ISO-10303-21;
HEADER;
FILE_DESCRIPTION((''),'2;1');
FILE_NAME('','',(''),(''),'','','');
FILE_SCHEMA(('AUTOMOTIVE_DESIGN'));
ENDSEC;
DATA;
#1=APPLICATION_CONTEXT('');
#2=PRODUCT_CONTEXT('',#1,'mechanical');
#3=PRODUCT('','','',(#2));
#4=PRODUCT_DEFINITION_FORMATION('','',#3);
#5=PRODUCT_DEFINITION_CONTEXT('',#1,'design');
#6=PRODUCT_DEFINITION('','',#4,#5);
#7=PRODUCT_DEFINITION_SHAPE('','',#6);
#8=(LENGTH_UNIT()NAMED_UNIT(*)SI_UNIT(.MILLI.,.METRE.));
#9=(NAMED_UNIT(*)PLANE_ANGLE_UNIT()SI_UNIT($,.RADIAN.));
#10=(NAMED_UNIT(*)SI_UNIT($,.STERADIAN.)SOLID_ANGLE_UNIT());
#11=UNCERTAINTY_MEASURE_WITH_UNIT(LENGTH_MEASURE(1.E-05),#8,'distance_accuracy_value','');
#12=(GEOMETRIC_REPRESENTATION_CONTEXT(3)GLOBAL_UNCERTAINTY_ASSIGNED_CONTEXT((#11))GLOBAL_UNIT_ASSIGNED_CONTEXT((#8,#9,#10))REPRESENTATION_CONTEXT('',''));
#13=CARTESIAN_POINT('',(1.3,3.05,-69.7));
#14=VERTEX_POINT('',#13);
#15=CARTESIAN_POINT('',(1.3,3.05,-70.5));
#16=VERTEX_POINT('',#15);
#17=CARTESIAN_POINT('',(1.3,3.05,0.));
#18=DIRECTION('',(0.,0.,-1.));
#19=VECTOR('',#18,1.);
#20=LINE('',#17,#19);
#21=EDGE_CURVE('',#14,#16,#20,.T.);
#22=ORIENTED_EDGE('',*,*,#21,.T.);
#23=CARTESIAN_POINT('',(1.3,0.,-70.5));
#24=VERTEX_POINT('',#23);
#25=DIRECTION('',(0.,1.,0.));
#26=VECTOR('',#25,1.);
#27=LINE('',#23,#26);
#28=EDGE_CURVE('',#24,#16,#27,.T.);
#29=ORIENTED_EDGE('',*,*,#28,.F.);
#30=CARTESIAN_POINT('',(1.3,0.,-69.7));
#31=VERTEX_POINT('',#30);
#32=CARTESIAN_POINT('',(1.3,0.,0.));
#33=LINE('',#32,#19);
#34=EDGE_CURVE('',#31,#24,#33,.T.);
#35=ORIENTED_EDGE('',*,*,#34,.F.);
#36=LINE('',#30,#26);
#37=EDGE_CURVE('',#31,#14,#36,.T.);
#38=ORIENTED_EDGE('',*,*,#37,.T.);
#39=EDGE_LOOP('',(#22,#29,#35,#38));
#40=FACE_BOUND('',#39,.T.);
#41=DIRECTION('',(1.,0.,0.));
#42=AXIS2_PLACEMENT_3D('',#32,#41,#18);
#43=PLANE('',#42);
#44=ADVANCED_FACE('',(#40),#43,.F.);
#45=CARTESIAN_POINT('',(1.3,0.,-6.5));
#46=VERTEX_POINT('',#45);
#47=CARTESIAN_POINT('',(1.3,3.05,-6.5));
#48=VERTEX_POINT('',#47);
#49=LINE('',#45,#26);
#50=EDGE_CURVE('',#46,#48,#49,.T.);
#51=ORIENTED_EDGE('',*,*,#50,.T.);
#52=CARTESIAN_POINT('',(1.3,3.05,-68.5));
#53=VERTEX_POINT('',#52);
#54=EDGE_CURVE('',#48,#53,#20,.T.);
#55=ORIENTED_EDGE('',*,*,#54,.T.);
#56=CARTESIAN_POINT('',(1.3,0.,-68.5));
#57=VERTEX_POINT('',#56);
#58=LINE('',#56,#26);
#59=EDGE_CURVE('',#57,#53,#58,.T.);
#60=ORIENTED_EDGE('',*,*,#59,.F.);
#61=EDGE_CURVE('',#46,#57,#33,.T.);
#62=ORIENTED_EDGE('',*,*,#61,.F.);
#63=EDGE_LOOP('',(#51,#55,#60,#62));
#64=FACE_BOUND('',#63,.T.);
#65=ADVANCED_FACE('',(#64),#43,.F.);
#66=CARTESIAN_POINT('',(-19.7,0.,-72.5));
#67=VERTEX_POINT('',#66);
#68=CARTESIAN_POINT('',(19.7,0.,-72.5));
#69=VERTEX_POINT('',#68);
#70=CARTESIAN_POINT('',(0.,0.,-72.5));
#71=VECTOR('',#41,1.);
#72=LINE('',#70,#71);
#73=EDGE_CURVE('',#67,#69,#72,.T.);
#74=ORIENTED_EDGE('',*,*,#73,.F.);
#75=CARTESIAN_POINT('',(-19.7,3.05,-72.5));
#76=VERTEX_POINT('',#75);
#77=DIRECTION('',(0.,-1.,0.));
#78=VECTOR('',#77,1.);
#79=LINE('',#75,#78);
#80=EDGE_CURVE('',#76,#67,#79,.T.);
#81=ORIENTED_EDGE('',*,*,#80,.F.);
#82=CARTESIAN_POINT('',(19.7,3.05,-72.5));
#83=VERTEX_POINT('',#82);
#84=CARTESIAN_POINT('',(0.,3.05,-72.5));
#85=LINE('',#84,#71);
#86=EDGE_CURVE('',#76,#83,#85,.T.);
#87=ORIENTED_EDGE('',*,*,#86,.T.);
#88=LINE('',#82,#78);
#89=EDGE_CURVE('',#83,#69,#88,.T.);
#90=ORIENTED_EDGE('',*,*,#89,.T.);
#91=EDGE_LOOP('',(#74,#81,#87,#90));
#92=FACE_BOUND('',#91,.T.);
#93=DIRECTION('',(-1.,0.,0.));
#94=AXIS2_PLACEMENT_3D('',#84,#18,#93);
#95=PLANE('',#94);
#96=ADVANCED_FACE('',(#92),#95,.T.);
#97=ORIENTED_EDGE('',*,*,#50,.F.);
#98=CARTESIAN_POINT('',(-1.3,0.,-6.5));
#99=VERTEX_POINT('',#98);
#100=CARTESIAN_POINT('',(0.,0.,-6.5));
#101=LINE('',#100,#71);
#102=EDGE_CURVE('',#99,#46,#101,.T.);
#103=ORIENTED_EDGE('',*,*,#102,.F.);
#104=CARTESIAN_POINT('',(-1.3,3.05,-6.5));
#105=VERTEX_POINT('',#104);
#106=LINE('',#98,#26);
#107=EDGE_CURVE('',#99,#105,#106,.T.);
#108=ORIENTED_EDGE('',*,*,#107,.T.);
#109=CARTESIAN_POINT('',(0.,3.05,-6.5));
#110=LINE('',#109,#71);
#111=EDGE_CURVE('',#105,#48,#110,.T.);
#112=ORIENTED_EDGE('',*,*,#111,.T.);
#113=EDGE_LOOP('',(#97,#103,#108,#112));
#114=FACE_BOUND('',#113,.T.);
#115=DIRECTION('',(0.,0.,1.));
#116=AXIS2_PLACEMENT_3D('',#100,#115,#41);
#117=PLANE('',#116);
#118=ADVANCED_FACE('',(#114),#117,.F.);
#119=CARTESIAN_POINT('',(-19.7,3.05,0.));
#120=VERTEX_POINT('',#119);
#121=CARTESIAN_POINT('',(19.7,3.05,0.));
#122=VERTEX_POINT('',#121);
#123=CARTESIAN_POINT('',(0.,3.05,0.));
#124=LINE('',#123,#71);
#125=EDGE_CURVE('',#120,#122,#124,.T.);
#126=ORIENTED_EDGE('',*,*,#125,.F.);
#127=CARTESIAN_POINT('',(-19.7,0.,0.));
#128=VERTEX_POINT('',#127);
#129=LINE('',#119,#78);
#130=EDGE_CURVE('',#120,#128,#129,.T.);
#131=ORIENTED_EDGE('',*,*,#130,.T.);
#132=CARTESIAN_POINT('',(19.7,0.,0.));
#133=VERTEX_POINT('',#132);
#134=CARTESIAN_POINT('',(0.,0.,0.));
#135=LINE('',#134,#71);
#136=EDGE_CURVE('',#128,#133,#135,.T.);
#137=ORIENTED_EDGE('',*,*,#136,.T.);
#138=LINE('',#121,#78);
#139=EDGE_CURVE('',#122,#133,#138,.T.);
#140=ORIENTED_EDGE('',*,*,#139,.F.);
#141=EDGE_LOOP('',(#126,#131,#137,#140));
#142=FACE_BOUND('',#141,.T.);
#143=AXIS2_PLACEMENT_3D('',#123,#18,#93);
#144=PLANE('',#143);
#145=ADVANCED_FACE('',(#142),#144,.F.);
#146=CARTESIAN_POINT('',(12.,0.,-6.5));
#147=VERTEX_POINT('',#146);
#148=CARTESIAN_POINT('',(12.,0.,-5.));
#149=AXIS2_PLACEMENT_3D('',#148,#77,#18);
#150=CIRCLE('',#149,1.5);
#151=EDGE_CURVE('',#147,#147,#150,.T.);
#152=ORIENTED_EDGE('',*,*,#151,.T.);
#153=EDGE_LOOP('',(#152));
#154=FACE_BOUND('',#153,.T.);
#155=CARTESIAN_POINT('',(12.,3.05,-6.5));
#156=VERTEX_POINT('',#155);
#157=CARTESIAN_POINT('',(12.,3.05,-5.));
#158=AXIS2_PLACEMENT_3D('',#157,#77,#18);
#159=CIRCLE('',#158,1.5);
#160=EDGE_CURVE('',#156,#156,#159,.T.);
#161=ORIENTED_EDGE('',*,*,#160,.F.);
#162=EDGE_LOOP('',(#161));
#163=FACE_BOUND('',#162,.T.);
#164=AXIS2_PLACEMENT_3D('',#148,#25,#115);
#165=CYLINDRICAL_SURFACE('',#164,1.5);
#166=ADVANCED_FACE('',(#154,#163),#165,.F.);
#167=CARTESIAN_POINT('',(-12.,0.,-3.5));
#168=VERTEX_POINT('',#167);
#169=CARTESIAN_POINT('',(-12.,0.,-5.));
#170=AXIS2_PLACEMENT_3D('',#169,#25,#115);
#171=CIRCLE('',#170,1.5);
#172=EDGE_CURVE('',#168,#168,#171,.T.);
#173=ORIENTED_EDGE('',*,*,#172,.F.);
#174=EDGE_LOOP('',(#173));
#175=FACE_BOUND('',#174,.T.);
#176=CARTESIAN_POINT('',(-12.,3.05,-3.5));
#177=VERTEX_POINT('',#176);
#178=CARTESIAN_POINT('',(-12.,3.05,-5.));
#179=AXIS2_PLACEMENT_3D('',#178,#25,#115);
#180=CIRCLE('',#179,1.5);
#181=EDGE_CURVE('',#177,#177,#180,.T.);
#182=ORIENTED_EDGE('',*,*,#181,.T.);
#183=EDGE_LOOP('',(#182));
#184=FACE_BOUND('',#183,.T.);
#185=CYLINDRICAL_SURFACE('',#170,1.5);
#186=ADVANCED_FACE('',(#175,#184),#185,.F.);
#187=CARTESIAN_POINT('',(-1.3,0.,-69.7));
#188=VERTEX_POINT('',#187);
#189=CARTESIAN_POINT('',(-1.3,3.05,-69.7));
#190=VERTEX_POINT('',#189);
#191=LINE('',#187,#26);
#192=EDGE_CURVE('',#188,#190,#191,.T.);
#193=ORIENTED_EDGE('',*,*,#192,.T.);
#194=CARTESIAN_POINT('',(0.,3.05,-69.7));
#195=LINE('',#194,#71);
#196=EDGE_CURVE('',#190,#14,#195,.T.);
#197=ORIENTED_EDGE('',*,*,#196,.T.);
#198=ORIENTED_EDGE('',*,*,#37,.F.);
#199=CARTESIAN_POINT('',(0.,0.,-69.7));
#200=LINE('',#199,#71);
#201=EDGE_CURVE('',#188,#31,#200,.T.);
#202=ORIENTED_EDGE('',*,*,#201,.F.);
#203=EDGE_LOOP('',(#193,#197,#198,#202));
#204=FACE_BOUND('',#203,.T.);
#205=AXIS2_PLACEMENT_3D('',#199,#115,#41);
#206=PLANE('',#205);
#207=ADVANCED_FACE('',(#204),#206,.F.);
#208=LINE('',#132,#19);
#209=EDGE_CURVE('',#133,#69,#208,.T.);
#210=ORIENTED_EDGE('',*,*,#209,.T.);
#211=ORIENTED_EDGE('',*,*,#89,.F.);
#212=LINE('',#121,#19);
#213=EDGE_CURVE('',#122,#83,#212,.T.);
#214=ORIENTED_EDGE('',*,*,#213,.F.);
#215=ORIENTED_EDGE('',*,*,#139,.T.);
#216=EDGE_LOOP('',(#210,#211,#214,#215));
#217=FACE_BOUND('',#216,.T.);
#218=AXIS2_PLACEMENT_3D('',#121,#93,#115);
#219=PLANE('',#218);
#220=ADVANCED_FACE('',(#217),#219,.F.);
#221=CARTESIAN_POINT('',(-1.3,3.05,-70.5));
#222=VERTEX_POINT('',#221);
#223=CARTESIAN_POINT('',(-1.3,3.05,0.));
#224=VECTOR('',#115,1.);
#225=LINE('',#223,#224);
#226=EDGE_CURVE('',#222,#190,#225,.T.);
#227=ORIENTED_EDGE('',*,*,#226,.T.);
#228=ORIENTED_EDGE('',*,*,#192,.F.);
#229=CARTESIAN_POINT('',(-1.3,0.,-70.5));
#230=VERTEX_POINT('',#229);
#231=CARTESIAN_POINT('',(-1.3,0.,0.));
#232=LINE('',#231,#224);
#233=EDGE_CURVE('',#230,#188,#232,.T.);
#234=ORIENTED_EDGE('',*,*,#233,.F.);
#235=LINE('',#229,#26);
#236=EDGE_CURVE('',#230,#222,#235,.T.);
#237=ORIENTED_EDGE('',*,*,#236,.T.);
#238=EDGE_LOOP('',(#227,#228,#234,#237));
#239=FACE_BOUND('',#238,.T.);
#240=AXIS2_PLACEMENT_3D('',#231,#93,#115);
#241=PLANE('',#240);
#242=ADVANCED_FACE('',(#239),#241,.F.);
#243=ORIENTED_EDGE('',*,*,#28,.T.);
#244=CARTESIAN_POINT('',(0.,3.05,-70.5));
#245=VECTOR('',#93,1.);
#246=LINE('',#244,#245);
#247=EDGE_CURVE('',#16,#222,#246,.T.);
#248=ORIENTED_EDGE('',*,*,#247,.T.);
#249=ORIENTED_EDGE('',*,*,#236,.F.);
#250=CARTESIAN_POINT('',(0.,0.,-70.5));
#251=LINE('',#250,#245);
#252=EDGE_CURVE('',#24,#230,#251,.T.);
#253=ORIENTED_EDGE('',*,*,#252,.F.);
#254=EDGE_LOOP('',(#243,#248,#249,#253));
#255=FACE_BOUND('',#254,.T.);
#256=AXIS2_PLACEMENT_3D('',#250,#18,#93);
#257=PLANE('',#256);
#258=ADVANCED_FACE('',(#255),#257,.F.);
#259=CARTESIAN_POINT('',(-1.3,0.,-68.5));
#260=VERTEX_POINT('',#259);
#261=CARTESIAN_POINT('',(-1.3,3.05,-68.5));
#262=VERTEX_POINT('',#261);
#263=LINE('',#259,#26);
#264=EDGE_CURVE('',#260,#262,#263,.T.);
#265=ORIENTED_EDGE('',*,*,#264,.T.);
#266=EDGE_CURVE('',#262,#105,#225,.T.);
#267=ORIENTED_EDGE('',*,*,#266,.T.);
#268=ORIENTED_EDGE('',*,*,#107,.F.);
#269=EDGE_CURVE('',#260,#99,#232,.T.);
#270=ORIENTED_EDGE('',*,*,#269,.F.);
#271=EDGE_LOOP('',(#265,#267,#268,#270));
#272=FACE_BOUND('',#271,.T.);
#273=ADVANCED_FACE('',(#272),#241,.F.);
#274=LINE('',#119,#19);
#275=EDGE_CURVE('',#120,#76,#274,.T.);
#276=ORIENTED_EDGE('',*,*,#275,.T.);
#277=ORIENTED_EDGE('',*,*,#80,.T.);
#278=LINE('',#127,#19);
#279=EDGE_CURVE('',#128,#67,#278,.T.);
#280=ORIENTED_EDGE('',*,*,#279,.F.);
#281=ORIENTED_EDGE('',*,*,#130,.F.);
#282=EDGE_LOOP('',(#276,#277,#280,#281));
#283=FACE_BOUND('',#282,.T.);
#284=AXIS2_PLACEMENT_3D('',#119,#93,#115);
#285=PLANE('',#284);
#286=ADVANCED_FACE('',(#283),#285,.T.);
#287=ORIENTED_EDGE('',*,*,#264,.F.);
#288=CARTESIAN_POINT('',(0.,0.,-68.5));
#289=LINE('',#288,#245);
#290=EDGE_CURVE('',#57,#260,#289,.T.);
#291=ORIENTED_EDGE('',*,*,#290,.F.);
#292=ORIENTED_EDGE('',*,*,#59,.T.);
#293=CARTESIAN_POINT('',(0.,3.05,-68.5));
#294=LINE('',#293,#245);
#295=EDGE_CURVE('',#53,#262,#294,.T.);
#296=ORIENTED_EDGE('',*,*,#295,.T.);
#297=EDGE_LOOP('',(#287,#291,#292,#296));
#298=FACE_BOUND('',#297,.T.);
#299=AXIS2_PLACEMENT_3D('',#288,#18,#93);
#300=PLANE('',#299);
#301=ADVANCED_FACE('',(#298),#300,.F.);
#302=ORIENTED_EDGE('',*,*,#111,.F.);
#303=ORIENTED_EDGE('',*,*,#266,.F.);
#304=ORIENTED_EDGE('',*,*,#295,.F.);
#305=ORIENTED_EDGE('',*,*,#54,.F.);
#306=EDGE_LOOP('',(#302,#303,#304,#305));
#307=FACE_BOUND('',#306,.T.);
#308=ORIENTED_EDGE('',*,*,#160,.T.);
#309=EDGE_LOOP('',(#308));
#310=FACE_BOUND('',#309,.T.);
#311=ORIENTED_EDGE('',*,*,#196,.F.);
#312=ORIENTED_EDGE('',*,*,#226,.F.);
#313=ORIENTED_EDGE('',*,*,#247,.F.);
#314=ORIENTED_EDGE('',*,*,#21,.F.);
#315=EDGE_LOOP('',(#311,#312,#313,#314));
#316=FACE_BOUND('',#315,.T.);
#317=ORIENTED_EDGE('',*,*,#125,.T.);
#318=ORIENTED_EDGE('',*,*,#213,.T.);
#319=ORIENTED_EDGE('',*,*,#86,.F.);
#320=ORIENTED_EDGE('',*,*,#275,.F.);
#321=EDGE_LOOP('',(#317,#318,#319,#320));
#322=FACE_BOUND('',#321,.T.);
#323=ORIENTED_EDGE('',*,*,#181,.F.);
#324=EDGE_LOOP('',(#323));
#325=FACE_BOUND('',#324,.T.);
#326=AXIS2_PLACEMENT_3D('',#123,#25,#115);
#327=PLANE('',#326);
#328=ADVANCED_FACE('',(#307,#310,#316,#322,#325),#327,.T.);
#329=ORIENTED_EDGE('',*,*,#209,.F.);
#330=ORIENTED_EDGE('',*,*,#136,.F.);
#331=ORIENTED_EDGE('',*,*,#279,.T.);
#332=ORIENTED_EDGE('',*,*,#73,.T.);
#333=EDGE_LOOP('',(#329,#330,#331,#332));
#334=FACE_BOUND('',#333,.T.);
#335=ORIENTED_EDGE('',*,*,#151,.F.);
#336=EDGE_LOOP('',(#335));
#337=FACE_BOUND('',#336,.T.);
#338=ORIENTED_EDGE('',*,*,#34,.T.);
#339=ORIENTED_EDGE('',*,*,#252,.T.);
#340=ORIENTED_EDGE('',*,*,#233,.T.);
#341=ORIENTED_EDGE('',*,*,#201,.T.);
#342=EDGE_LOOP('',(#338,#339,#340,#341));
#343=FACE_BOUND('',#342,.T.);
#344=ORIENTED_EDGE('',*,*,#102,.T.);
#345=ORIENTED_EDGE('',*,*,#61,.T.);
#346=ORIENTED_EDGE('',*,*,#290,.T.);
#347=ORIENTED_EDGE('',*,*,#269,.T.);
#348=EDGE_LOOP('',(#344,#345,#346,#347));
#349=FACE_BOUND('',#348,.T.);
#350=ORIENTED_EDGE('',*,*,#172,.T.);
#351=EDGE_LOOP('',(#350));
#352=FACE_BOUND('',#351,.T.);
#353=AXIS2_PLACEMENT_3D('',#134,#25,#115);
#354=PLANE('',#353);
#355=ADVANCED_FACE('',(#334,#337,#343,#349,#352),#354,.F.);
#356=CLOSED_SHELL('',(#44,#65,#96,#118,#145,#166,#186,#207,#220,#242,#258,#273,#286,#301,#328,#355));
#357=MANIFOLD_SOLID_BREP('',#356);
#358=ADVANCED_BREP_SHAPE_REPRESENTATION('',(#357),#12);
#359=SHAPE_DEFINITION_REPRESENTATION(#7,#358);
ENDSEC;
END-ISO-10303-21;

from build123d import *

# Parameters (mm, degrees)
SKETCH1_W           = 39.4
SKETCH1_H           = 72.5
BOSS_EXTRUDE1_DEPTH = 3.05
SKETCH4_W           = 1.3
SKETCH4_H           = 0.8
SKETCH4_H_2         = 62
CUT_EXTRUDE1_DEPTH  = 76.190707538
SKETCH7_R           = 1.5
CUT_EXTRUDE4_DEPTH  = 76.190707538


with BuildPart() as part:
    # Sketch1 → Boss-Extrude1 (new body)
    with BuildSketch(Plane(origin=(0, 0, 0), x_dir=(1, 0, 0), z_dir=(0, 1, 0))):
        with Locations((0, 36.25)):
            Rectangle(SKETCH1_W, SKETCH1_H)
    extrude(amount=BOSS_EXTRUDE1_DEPTH)

    # Sketch4 → Cut-Extrude1 (cut, through all)
    with BuildSketch(Plane(origin=(0, 3.05, 0), x_dir=(1, 0, 0), z_dir=(0, 1, 0))):
        with Locations((-0.65, 70.1)):
            Rectangle(SKETCH4_W, SKETCH4_H)
        with Locations((-0.65, 37.5)):
            Rectangle(SKETCH4_W, SKETCH4_H_2)
        with Locations((0.65, 37.5)):
            Rectangle(SKETCH4_W, SKETCH4_H_2)
        with Locations((0.65, 70.1)):
            Rectangle(SKETCH4_W, SKETCH4_H)
    extrude(amount=-CUT_EXTRUDE1_DEPTH, mode=Mode.SUBTRACT)

    # Sketch7 → Cut-Extrude4 (cut, through all)
    with BuildSketch(Plane(origin=(0, 3.05, 0), x_dir=(1, 0, 0), z_dir=(0, 1, 0))):
        with Locations(Location((-12, 5, 0), (0, 0, 270))):
            Circle(SKETCH7_R)
        with Locations(Location((12, 5, 0), (0, 0, 90))):
            Circle(SKETCH7_R)
    extrude(amount=-CUT_EXTRUDE4_DEPTH, mode=Mode.SUBTRACT)


solid = part.part
